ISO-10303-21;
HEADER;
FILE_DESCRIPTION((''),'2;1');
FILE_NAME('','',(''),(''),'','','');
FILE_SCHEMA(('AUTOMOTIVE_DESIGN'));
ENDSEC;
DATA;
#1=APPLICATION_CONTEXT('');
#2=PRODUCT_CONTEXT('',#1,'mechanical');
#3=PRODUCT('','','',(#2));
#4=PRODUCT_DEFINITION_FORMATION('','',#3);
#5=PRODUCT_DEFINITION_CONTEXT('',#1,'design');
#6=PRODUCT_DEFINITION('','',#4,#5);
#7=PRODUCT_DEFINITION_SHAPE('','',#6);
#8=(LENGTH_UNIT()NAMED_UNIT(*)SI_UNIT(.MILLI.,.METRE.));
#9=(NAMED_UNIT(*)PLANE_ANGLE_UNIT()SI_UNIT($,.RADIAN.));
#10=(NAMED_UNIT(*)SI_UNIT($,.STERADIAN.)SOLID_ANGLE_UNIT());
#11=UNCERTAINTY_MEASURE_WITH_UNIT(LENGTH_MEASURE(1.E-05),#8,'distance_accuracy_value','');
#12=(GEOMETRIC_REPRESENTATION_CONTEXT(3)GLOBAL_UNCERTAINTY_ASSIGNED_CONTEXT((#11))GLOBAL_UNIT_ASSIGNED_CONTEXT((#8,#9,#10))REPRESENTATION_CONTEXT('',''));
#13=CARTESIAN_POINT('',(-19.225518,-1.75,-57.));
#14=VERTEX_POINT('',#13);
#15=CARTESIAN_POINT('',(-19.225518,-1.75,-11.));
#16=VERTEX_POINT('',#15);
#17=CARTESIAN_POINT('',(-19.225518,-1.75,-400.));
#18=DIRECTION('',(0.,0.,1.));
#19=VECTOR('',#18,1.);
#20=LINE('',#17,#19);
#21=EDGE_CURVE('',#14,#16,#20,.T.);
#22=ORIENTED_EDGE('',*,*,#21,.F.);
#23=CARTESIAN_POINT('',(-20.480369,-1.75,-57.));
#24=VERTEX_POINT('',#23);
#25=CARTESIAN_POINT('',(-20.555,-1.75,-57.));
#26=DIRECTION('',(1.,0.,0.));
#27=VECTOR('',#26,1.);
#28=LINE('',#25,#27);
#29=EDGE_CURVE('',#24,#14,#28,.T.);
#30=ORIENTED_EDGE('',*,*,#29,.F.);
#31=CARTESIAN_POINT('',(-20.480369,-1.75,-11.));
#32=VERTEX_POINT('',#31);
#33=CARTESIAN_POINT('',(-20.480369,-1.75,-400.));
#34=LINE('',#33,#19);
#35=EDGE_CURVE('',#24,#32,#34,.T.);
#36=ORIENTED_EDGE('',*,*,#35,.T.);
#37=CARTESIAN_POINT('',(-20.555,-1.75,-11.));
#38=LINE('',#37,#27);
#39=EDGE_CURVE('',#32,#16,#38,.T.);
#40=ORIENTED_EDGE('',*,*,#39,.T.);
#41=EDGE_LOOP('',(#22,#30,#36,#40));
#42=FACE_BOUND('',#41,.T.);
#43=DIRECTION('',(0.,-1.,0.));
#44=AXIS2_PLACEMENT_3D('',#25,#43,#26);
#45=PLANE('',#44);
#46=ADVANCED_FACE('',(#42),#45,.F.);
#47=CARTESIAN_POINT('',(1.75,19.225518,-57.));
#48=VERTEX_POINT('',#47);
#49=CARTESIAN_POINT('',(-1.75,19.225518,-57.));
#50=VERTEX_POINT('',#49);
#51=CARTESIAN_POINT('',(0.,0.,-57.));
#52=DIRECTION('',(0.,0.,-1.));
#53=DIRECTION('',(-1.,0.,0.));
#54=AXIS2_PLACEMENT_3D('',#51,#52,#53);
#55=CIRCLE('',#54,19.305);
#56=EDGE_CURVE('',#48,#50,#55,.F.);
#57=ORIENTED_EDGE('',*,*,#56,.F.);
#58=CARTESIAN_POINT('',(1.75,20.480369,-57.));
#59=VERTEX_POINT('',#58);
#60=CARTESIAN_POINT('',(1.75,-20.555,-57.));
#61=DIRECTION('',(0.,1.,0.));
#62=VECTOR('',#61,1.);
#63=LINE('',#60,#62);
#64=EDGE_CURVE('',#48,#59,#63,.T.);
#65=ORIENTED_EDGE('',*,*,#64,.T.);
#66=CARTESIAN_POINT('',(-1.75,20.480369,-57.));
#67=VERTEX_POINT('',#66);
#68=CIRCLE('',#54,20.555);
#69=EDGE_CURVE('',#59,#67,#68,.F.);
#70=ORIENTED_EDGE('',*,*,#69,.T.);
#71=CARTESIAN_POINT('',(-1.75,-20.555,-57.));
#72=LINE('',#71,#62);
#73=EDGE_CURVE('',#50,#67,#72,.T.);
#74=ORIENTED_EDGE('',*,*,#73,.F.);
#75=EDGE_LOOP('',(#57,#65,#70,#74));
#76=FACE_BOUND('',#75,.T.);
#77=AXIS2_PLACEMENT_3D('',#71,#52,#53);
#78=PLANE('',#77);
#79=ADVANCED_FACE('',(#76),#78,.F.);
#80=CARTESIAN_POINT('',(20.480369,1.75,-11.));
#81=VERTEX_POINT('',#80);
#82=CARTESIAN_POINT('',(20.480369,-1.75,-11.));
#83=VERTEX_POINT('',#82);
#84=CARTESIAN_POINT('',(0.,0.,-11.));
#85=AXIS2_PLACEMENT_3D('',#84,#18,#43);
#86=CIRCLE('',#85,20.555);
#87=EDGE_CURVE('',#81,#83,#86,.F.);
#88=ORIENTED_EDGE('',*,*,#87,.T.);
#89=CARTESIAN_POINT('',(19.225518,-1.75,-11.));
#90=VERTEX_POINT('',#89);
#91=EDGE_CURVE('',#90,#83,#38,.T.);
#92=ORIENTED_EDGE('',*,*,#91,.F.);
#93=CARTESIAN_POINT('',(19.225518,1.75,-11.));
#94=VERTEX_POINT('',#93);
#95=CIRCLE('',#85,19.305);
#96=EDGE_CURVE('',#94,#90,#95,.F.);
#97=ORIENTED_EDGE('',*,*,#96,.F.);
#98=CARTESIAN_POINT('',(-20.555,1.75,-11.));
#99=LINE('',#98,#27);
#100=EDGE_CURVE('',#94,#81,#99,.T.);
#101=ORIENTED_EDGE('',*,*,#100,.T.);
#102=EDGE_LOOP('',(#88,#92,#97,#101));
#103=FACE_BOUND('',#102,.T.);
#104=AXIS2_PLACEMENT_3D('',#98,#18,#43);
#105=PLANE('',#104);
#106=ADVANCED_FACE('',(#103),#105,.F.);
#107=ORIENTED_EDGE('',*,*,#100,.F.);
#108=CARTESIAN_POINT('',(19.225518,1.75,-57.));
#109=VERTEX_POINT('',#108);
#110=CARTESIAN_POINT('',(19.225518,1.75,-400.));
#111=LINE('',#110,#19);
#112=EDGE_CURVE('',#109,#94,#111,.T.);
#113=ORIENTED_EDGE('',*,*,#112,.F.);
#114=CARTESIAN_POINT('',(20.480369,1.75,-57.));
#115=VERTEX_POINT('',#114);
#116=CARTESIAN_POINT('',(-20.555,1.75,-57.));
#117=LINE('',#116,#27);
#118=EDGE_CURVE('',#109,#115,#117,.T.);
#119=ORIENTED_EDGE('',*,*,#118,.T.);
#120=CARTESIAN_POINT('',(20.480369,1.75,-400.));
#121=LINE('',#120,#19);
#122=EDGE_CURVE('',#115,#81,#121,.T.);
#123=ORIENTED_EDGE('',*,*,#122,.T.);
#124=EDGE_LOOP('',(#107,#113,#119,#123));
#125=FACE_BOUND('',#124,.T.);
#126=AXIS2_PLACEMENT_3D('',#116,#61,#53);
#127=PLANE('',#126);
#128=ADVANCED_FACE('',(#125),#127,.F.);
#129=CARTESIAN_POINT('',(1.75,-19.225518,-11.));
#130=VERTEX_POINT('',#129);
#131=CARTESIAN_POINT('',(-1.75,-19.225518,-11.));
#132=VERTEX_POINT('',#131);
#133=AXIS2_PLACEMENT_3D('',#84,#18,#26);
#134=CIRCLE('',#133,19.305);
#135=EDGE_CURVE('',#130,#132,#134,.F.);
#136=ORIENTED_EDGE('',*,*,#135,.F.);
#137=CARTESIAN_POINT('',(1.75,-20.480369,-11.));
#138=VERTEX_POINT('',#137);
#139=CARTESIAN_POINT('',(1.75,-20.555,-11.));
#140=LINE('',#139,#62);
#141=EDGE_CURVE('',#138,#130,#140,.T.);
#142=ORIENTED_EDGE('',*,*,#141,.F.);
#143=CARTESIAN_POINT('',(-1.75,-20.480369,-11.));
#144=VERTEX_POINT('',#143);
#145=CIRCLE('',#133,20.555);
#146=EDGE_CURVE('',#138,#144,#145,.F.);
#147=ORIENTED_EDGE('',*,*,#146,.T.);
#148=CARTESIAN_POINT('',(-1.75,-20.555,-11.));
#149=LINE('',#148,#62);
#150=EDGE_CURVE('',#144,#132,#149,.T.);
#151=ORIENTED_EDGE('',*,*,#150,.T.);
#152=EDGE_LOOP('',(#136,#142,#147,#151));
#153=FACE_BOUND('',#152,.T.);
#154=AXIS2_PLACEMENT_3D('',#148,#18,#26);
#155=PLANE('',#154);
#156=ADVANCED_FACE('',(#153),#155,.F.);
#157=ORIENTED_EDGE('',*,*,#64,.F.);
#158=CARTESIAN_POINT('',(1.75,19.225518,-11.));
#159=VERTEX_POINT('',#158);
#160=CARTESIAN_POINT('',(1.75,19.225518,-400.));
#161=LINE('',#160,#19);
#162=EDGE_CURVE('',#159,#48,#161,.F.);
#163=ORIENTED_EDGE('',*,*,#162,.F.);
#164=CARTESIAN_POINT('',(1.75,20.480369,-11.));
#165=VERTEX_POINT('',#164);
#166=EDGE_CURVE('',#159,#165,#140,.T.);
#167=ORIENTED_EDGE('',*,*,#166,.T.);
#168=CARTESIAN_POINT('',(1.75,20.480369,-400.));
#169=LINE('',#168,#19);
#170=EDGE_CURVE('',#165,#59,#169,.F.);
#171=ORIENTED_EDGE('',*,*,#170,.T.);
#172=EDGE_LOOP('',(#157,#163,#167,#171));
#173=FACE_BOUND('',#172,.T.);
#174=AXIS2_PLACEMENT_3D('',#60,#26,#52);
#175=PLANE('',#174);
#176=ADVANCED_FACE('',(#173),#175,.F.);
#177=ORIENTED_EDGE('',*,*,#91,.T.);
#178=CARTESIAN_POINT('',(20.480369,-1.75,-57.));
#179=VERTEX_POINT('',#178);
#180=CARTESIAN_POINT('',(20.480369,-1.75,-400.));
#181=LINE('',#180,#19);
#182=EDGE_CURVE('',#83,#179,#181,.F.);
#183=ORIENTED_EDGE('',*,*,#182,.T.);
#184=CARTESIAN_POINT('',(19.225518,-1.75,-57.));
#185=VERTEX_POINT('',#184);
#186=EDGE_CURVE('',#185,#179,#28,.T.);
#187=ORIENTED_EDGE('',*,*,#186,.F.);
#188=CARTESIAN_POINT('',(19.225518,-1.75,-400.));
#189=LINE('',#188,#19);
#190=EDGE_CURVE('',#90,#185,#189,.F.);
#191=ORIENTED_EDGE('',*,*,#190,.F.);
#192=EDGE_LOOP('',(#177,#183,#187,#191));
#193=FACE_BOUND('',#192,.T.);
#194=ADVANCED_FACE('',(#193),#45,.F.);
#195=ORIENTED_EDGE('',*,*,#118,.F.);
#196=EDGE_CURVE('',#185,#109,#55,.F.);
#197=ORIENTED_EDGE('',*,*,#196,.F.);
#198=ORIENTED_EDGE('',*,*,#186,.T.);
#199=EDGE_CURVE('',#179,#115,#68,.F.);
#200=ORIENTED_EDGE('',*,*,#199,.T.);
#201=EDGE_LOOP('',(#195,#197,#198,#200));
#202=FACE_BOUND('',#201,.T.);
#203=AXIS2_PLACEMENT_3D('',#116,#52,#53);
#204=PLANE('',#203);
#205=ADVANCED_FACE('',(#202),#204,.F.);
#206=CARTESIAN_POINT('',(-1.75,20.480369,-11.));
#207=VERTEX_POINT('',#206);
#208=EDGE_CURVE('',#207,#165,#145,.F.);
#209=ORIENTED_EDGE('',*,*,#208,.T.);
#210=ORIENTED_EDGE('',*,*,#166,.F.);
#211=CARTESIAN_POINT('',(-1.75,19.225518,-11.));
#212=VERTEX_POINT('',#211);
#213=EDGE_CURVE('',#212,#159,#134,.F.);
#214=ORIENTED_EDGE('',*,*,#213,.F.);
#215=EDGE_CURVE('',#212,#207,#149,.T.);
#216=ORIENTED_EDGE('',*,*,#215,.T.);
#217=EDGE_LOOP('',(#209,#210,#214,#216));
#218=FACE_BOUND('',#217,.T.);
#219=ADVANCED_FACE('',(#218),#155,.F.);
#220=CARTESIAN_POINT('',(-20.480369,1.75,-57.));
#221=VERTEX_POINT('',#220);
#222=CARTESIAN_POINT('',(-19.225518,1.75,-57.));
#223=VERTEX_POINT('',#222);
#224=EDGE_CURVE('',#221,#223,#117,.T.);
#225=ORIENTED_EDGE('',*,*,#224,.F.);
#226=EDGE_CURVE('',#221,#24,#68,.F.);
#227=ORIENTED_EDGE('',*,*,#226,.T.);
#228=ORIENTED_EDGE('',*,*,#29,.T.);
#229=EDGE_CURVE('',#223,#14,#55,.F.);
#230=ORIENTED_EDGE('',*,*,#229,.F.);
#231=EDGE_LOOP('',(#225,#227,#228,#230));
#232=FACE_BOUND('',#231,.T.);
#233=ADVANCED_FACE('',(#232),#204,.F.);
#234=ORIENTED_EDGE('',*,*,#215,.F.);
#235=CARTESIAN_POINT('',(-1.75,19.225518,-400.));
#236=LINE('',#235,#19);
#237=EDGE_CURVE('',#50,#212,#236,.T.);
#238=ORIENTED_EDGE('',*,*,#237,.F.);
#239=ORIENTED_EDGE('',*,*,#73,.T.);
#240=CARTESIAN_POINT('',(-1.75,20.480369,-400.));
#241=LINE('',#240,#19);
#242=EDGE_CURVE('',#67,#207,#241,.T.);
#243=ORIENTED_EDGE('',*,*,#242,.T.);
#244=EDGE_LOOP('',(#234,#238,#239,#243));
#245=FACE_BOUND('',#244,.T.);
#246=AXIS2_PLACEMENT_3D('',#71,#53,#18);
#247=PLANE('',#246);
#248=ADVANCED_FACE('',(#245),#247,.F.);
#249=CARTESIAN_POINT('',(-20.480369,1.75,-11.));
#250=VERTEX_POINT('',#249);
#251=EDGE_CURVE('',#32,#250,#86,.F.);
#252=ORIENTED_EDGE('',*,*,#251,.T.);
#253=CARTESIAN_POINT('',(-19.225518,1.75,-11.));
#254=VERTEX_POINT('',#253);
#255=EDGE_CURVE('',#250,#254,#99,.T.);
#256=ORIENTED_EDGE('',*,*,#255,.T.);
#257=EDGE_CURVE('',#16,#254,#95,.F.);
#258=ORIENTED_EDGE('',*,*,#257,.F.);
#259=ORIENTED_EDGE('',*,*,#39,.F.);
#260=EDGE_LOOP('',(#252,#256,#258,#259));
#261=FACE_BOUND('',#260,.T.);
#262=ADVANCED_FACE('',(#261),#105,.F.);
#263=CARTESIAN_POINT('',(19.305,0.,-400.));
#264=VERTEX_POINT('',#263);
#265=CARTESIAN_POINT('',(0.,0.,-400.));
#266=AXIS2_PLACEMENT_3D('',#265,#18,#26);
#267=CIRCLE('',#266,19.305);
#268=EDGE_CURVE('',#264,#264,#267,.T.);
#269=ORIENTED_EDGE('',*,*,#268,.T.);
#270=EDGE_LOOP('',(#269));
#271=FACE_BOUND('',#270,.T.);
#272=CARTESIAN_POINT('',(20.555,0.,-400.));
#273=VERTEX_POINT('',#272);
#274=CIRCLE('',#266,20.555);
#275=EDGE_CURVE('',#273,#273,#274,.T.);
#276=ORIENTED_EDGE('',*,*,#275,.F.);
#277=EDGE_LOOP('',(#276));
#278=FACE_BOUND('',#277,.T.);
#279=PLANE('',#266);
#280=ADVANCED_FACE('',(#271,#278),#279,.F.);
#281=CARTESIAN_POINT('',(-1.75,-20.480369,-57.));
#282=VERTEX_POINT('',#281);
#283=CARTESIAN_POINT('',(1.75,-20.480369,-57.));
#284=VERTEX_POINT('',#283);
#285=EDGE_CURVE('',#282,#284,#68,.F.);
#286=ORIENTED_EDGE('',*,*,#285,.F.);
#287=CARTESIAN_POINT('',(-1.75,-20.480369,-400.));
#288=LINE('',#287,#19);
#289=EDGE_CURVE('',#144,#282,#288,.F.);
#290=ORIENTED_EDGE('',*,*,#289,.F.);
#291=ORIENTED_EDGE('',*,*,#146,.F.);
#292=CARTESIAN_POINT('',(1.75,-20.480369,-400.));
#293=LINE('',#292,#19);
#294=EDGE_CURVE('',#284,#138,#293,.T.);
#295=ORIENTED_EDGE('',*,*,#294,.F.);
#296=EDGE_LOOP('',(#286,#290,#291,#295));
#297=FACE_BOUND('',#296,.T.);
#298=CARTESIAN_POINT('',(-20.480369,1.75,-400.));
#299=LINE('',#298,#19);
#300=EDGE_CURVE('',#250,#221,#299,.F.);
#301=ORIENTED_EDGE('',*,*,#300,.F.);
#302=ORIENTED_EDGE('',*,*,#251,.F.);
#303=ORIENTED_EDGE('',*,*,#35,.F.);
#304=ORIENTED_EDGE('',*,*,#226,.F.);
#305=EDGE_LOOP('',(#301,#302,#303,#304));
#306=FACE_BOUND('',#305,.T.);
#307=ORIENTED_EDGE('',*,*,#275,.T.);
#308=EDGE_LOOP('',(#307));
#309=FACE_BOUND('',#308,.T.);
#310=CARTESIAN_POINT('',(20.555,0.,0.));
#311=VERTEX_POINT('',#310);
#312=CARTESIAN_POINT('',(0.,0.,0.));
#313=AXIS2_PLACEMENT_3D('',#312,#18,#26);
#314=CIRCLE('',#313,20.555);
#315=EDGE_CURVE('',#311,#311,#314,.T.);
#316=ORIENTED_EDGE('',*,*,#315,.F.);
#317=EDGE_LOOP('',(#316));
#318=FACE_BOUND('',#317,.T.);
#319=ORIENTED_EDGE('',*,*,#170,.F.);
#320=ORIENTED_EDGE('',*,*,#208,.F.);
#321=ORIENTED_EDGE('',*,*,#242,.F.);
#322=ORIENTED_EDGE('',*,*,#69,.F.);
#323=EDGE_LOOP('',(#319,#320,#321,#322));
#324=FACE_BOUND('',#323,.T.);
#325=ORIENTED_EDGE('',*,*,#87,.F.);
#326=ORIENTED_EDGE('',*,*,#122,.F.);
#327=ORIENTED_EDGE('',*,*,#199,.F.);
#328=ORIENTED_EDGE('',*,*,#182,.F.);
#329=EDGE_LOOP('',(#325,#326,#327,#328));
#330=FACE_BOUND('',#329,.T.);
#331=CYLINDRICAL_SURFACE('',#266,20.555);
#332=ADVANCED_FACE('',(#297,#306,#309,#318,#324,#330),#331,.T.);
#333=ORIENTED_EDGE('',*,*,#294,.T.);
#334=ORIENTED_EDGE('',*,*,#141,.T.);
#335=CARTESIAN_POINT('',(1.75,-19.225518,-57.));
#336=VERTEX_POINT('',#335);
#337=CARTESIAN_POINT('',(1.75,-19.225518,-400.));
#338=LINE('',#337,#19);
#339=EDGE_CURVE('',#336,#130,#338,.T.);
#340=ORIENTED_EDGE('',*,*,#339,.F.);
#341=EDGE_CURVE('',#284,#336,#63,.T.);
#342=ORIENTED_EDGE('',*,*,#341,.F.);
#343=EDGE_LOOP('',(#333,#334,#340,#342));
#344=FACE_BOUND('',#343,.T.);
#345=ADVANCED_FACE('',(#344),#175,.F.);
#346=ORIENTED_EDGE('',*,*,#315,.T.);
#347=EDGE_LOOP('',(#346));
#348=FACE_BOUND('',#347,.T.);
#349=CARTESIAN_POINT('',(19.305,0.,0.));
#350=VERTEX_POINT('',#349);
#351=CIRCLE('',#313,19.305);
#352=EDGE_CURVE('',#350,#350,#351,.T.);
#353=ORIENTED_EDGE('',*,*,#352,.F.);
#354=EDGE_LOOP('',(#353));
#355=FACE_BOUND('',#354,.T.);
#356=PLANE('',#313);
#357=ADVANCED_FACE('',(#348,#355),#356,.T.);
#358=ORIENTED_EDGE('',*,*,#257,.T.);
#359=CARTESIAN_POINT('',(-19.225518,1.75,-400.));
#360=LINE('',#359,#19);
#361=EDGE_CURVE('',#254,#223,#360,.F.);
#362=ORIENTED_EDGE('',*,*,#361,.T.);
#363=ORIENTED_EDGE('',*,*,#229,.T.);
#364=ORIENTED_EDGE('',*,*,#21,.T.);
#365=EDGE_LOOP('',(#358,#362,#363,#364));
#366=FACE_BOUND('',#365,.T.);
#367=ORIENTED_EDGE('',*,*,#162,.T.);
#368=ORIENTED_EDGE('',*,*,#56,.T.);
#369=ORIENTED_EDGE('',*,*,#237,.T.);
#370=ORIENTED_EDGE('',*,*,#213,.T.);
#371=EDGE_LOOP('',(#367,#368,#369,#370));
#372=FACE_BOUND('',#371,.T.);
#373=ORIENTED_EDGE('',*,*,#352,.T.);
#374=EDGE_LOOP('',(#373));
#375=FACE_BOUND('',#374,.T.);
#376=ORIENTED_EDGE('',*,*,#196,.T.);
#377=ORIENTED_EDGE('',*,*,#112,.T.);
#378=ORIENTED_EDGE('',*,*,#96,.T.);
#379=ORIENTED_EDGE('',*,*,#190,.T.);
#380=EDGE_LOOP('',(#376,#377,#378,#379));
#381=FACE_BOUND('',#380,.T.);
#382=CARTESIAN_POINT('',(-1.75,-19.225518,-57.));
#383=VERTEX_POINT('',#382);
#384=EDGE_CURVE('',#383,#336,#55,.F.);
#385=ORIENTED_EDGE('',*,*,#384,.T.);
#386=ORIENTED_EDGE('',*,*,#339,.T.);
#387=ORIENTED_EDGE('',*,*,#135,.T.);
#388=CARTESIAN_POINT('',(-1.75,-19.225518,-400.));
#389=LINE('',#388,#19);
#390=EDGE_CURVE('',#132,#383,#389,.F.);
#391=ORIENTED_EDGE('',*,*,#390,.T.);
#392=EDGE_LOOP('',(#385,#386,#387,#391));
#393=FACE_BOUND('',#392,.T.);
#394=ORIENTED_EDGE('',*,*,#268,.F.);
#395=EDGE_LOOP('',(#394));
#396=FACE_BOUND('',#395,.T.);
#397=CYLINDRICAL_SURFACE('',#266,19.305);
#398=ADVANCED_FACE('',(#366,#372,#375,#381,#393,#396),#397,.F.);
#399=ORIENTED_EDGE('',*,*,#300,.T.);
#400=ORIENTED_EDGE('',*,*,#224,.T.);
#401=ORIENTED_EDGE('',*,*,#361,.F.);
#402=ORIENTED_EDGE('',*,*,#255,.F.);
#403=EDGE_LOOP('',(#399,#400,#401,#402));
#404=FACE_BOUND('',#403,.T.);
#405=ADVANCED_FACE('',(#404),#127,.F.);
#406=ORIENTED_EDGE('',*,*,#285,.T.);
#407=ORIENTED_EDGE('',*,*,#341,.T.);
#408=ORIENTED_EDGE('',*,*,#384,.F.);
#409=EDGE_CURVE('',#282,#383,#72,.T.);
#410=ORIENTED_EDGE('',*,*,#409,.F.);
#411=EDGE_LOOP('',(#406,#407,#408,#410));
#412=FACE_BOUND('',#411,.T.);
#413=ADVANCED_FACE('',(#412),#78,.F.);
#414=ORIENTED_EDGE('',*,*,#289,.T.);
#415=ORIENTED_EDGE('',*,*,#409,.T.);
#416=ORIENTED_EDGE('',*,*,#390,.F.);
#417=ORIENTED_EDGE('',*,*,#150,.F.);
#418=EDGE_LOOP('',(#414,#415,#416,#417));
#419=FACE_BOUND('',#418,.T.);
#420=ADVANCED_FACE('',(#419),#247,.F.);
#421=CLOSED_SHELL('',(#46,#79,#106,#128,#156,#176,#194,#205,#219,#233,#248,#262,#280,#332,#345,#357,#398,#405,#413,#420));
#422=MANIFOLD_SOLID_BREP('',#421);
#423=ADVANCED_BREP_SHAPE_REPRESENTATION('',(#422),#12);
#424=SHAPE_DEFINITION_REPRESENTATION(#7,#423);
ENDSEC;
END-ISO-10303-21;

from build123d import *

# Parameters (mm, degrees)
SKETCH1_R           = 20.555
SKETCH1_R_2         = 19.305
BOSS_EXTRUDE3_DEPTH = 400
SKETCH2_W           = 3.5
SKETCH2_H           = 46
CUT_EXTRUDE1_DEPTH  = 21.555
CIRPATTERN1_COUNT   = 2
CIRPATTERN1_ANGLE   = 90


with BuildPart() as part:
    # Sketch1 → Boss-Extrude3 (new body)
    with BuildSketch(Plane.XY):
        Circle(SKETCH1_R)
        Circle(SKETCH1_R_2, mode=Mode.SUBTRACT)
    extrude(amount=-BOSS_EXTRUDE3_DEPTH)

    # Sketch2 → Cut-Extrude1 (cut, symmetric)
    with BuildSketch(Plane(origin=(0, 0, 0), x_dir=(1, 0, 0), z_dir=(0, 1, 0))):
        with Locations((0, 34)):
            Rectangle(SKETCH2_W, SKETCH2_H)
    cut_extrude1 = extrude(amount=CUT_EXTRUDE1_DEPTH, both=True, mode=Mode.SUBTRACT)

    # CirPattern1: Cut-Extrude1 ×2 about axis
    cirpattern1_axis = Axis((0, 0, -400), (0, 0, 1))
    for i in range(1, CIRPATTERN1_COUNT):
        add(cut_extrude1.rotate(cirpattern1_axis, i * CIRPATTERN1_ANGLE / (CIRPATTERN1_COUNT - 1)), mode=Mode.SUBTRACT)


solid = part.part
